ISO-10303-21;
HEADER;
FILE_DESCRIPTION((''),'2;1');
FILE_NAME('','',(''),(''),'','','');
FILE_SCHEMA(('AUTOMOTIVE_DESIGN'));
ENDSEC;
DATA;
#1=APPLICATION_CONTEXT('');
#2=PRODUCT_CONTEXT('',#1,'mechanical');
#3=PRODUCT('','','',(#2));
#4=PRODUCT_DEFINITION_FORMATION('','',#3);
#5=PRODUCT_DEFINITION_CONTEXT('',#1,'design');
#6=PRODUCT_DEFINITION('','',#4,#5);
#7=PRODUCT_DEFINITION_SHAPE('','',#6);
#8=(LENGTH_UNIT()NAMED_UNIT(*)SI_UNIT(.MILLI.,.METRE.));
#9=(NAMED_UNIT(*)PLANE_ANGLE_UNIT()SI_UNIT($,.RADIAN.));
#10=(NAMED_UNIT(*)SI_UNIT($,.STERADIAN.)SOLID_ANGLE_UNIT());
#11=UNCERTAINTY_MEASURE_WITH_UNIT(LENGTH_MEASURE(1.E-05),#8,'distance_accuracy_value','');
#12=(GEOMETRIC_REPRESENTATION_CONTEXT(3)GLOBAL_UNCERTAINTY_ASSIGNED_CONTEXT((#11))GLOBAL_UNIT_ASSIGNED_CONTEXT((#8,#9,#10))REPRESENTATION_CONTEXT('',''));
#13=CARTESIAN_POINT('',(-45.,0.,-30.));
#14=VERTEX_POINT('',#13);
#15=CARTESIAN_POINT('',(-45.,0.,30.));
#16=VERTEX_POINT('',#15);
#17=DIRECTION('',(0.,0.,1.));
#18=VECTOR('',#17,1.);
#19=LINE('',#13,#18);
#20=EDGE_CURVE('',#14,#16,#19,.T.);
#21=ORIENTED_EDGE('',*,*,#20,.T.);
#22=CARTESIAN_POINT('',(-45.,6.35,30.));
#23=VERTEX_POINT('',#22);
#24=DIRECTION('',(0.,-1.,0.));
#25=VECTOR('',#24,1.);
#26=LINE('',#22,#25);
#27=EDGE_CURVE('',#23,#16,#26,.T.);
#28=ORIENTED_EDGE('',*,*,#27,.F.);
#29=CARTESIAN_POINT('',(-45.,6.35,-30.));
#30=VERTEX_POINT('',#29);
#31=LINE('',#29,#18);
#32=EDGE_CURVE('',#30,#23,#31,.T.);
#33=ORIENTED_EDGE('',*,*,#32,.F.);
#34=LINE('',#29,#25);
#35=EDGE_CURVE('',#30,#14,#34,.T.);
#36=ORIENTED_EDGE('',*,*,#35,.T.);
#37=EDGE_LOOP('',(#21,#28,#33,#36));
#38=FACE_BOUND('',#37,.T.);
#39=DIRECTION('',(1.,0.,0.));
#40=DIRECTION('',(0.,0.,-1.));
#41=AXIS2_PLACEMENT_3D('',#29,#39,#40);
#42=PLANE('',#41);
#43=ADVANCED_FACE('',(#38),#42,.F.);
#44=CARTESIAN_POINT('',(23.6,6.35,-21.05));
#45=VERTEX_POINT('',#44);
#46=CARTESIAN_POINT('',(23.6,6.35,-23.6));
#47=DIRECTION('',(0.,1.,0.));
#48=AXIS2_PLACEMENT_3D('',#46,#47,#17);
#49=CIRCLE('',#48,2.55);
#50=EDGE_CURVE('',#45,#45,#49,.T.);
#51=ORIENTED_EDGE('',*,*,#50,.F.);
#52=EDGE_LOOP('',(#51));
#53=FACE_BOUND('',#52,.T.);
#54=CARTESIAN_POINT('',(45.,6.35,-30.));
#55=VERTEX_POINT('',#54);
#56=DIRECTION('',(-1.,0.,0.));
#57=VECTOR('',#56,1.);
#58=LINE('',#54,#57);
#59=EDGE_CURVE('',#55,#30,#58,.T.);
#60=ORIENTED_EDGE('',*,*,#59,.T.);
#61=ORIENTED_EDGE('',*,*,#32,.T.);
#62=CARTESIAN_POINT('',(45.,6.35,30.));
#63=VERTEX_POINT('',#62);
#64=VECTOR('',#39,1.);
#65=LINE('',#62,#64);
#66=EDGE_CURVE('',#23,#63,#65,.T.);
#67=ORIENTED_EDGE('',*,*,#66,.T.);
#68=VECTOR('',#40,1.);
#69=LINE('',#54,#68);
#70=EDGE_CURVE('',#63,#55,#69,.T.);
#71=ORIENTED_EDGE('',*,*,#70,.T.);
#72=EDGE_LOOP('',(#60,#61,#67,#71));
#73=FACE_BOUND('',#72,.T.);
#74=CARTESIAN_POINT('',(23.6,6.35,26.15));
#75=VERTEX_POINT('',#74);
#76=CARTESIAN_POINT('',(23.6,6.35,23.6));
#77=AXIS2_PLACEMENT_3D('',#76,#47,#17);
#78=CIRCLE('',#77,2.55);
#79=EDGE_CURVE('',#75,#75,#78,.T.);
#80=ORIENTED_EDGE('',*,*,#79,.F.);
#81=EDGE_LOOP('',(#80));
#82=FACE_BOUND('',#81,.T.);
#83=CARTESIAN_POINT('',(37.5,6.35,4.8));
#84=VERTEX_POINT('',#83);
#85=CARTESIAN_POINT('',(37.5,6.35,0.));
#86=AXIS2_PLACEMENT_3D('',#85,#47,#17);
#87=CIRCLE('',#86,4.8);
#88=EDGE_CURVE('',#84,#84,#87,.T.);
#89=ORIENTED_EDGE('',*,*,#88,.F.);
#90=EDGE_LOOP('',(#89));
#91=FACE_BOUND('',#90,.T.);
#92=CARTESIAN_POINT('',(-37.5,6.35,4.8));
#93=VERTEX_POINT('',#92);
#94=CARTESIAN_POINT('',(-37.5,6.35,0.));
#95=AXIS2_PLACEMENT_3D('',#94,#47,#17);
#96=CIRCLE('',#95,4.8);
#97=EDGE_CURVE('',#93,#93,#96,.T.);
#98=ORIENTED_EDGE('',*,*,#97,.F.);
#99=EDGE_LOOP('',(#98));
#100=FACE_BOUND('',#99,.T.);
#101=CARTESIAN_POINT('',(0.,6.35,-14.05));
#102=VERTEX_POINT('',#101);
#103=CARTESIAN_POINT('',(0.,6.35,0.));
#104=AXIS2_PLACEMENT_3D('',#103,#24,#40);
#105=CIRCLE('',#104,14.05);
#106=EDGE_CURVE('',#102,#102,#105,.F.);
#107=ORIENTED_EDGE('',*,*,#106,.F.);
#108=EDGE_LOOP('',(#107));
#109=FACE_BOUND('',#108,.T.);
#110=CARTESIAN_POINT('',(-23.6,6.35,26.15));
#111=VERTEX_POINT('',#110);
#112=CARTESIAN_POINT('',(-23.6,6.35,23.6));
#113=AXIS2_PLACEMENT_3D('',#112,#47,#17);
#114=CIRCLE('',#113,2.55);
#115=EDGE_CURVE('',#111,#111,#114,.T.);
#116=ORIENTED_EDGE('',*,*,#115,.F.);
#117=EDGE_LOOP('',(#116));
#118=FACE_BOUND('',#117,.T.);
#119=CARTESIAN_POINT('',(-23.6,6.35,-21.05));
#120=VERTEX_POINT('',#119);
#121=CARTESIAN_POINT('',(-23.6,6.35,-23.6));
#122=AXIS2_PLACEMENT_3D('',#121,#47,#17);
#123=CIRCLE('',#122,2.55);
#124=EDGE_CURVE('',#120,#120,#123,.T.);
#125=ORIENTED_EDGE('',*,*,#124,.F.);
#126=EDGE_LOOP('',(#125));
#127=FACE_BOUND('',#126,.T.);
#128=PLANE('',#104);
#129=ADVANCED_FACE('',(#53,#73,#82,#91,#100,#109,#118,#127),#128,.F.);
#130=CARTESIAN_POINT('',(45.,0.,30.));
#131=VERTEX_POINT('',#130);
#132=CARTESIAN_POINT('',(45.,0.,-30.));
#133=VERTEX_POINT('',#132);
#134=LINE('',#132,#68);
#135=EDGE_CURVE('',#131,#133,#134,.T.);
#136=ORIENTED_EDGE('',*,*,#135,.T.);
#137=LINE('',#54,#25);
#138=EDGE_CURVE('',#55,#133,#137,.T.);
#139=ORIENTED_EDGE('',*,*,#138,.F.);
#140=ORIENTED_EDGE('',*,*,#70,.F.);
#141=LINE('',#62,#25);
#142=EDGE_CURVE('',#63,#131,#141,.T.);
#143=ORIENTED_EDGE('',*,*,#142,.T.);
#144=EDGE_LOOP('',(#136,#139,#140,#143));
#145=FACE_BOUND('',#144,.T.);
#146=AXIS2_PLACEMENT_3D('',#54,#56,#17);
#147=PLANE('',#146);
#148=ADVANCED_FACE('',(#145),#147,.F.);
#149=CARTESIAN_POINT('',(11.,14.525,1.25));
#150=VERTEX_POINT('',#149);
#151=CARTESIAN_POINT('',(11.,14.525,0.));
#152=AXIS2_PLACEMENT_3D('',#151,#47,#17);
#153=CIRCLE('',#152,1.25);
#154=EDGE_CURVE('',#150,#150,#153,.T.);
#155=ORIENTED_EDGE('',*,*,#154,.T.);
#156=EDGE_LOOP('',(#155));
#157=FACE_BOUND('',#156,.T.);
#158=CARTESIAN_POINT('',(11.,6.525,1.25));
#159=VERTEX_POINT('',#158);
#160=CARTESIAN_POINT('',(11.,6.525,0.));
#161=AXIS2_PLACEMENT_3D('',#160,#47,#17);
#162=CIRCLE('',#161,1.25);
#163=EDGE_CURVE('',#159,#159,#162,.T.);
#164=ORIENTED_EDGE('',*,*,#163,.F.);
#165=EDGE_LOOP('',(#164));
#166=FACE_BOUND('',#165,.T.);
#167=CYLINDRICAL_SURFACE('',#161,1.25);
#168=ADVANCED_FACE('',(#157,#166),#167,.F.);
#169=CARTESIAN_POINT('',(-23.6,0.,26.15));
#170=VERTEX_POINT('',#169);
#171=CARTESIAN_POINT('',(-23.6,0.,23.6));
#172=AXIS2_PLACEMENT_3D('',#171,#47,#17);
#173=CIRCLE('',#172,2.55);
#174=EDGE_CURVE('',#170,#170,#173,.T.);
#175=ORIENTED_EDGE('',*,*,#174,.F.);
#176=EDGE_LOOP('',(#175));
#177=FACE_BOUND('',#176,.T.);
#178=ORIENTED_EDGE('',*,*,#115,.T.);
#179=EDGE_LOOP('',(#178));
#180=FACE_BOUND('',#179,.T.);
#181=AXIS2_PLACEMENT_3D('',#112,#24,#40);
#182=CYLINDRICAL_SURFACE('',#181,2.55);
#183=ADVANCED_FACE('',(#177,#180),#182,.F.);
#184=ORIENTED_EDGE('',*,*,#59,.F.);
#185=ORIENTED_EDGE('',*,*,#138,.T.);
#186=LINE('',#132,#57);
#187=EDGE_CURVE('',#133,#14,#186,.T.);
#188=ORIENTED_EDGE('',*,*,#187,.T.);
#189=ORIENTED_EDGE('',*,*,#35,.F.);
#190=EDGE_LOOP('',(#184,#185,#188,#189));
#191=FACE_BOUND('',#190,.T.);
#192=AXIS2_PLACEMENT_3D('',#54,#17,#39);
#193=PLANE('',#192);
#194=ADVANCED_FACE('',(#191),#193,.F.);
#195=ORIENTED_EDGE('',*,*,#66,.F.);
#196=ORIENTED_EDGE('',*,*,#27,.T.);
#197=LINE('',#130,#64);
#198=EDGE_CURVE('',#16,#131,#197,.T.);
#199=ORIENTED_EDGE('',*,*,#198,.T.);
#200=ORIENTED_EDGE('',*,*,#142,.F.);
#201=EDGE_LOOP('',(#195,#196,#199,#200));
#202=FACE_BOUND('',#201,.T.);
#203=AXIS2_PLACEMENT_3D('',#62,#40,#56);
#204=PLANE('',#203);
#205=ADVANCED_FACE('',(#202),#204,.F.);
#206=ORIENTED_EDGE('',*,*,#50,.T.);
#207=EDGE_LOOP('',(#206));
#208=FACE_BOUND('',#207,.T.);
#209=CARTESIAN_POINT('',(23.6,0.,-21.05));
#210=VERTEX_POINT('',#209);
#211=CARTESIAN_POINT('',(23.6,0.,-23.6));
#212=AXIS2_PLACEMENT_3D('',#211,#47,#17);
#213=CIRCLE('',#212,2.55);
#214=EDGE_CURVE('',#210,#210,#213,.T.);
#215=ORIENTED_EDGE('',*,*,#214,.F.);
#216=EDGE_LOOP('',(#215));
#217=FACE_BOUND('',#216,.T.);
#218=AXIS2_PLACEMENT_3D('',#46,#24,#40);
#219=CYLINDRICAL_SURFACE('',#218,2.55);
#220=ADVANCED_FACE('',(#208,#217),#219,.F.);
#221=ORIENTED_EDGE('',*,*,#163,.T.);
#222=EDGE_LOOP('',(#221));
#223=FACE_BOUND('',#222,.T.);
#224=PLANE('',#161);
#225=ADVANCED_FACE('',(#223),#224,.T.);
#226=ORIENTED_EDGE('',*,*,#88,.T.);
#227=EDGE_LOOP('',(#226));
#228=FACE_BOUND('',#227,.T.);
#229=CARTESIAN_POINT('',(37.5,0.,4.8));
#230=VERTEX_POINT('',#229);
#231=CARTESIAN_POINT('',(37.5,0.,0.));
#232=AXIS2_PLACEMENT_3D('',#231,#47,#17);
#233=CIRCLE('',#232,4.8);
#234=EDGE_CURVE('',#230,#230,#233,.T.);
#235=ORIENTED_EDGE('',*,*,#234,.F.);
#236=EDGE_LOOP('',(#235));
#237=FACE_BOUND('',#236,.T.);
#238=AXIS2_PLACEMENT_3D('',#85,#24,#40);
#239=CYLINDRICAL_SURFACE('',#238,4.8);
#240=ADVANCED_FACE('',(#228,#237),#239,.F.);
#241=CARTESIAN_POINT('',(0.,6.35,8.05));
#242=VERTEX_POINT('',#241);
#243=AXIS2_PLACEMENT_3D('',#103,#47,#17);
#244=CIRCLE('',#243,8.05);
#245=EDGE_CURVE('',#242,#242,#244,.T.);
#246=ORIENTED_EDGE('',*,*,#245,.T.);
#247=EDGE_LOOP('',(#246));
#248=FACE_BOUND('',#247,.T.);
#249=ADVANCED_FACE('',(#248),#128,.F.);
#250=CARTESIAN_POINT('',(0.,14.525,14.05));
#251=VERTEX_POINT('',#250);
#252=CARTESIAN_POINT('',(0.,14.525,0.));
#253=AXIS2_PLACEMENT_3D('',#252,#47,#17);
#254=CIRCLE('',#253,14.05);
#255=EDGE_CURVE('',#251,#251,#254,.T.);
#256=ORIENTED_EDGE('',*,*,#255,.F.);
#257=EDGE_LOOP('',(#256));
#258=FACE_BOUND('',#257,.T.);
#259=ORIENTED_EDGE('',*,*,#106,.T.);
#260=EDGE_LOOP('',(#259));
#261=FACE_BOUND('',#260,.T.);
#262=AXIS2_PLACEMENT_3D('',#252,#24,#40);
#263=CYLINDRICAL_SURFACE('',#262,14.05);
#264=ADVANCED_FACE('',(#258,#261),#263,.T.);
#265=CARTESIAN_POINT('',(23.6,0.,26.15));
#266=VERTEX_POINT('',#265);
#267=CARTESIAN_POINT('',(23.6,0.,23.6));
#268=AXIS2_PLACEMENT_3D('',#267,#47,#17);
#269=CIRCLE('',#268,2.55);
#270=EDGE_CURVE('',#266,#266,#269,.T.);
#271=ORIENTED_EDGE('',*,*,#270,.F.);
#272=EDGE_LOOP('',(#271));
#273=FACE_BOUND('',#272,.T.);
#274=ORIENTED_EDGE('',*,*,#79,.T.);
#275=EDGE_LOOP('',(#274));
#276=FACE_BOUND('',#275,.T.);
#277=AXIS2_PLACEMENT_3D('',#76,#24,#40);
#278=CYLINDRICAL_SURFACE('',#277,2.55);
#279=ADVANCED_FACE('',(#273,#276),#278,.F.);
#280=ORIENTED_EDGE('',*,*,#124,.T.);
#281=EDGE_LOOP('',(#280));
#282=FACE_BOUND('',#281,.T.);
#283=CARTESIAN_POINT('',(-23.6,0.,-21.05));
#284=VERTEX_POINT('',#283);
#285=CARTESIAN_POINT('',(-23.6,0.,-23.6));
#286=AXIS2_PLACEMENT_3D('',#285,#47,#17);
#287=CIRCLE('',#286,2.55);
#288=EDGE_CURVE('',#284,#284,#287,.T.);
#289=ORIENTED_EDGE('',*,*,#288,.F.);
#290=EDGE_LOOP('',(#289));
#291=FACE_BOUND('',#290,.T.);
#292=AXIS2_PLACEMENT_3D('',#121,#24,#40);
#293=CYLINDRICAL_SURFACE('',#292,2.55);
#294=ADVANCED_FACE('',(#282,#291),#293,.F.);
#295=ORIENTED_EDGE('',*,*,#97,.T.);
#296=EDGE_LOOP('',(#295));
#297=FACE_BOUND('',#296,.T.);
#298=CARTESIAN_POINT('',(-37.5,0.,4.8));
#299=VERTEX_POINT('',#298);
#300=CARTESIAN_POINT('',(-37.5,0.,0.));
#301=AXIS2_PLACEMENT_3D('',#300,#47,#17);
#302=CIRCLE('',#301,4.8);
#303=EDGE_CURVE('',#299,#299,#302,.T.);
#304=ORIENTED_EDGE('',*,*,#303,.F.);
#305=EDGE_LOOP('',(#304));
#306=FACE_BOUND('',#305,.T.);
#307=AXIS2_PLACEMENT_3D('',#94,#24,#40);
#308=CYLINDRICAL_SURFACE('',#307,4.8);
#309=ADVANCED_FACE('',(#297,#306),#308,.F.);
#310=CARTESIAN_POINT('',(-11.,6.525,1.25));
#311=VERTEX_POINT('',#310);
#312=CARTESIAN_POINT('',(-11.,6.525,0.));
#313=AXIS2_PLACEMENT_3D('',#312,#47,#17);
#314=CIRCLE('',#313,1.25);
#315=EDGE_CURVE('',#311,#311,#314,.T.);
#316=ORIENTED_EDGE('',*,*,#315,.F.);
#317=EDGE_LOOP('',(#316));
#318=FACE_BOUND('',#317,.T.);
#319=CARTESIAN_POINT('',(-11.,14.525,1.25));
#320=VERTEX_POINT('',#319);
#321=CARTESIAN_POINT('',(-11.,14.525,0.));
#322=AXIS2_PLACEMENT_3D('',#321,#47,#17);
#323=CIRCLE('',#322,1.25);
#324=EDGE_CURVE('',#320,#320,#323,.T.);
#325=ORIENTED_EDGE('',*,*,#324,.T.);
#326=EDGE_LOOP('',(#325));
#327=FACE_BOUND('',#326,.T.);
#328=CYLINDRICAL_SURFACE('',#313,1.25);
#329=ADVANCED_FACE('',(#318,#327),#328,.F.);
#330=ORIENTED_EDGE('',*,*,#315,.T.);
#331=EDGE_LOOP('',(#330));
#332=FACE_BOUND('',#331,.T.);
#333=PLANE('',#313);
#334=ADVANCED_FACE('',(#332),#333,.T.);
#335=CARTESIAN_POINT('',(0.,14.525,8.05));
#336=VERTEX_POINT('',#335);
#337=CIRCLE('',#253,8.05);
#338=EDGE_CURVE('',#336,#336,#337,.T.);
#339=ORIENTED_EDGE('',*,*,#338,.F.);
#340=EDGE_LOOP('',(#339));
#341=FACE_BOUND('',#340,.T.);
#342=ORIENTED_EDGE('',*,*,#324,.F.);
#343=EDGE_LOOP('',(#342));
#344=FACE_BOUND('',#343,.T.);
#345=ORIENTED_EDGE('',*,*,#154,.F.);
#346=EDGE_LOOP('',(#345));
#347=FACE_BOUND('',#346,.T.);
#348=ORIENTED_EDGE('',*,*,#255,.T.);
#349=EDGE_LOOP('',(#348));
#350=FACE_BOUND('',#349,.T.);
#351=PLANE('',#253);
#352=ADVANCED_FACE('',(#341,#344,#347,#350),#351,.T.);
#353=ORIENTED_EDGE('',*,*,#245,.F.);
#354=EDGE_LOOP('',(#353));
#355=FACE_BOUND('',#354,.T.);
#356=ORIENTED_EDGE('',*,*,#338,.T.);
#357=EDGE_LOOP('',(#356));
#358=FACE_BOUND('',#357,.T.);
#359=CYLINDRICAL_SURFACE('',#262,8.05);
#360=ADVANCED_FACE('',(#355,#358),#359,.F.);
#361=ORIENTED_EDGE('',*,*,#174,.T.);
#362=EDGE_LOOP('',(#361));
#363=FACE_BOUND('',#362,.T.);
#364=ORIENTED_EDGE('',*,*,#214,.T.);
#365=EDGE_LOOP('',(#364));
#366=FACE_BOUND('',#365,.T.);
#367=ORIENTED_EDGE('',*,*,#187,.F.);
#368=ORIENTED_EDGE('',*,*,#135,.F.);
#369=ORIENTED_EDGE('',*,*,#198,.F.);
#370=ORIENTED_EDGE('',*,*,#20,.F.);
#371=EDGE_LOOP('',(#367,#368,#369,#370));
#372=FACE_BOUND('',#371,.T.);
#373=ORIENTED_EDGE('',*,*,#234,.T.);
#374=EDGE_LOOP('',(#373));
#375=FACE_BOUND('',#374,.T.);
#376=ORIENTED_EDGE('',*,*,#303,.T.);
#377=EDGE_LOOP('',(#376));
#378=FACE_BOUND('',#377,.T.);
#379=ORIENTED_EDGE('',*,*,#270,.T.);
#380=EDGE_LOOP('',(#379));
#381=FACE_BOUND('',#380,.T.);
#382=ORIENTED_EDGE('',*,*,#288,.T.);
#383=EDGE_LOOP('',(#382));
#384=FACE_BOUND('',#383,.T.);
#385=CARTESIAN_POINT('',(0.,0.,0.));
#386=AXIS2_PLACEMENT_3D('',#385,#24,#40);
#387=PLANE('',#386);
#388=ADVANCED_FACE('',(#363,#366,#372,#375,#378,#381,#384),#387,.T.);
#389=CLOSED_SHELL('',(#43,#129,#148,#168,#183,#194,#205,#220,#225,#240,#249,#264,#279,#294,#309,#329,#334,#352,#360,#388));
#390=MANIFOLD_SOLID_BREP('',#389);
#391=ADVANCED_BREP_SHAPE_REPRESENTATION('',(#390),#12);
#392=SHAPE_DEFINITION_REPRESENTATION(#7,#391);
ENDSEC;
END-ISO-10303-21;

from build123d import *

# Parameters (mm, degrees)
SKETCH1_W           = 90
SKETCH1_H           = 60
SKETCH1_R           = 4.8
SKETCH1_R_2         = 2.55
BOSS_EXTRUDE1_DEPTH = 6.35
SKETCH2_R           = 14.05
SKETCH2_R_2         = 8.05
BOSS_EXTRUDE2_DEPTH = 8.175
SKETCH3_R           = 1.25
CUT_EXTRUDE1_DEPTH  = 8


with BuildPart() as part:
    # Sketch1 → Boss-Extrude1 (new body)
    with BuildSketch(Plane(origin=(0, 0, 0), x_dir=(1, 0, 0), z_dir=(0, 1, 0))):
        Rectangle(SKETCH1_W, SKETCH1_H)
        with Locations((-37.5, 0)):
            Circle(SKETCH1_R, mode=Mode.SUBTRACT)
        with Locations((37.5, 0)):
            Circle(SKETCH1_R, mode=Mode.SUBTRACT)
        with Locations((-23.6, -23.6)):
            Circle(SKETCH1_R_2, mode=Mode.SUBTRACT)
        with Locations((23.6, -23.6)):
            Circle(SKETCH1_R_2, mode=Mode.SUBTRACT)
        with Locations((23.6, 23.6)):
            Circle(SKETCH1_R_2, mode=Mode.SUBTRACT)
        with Locations((-23.6, 23.6)):
            Circle(SKETCH1_R_2, mode=Mode.SUBTRACT)
    extrude(amount=BOSS_EXTRUDE1_DEPTH)

    # Sketch2 → Boss-Extrude2 (add)
    with BuildSketch(Plane(origin=(0, 6.35, 0), x_dir=(1, 0, 0), z_dir=(0, 1, 0))):
        Circle(SKETCH2_R)
        Circle(SKETCH2_R_2, mode=Mode.SUBTRACT)
    extrude(amount=BOSS_EXTRUDE2_DEPTH)

    # Sketch3 → Cut-Extrude1 (cut)
    with BuildSketch(Plane(origin=(0, 14.525, 0), x_dir=(1, 0, 0), z_dir=(0, 1, 0))):
        with Locations((-11, 0)):
            Circle(SKETCH3_R)
        with Locations((11, 0)):
            Circle(SKETCH3_R)
    extrude(amount=-CUT_EXTRUDE1_DEPTH, mode=Mode.SUBTRACT)


solid = part.part
